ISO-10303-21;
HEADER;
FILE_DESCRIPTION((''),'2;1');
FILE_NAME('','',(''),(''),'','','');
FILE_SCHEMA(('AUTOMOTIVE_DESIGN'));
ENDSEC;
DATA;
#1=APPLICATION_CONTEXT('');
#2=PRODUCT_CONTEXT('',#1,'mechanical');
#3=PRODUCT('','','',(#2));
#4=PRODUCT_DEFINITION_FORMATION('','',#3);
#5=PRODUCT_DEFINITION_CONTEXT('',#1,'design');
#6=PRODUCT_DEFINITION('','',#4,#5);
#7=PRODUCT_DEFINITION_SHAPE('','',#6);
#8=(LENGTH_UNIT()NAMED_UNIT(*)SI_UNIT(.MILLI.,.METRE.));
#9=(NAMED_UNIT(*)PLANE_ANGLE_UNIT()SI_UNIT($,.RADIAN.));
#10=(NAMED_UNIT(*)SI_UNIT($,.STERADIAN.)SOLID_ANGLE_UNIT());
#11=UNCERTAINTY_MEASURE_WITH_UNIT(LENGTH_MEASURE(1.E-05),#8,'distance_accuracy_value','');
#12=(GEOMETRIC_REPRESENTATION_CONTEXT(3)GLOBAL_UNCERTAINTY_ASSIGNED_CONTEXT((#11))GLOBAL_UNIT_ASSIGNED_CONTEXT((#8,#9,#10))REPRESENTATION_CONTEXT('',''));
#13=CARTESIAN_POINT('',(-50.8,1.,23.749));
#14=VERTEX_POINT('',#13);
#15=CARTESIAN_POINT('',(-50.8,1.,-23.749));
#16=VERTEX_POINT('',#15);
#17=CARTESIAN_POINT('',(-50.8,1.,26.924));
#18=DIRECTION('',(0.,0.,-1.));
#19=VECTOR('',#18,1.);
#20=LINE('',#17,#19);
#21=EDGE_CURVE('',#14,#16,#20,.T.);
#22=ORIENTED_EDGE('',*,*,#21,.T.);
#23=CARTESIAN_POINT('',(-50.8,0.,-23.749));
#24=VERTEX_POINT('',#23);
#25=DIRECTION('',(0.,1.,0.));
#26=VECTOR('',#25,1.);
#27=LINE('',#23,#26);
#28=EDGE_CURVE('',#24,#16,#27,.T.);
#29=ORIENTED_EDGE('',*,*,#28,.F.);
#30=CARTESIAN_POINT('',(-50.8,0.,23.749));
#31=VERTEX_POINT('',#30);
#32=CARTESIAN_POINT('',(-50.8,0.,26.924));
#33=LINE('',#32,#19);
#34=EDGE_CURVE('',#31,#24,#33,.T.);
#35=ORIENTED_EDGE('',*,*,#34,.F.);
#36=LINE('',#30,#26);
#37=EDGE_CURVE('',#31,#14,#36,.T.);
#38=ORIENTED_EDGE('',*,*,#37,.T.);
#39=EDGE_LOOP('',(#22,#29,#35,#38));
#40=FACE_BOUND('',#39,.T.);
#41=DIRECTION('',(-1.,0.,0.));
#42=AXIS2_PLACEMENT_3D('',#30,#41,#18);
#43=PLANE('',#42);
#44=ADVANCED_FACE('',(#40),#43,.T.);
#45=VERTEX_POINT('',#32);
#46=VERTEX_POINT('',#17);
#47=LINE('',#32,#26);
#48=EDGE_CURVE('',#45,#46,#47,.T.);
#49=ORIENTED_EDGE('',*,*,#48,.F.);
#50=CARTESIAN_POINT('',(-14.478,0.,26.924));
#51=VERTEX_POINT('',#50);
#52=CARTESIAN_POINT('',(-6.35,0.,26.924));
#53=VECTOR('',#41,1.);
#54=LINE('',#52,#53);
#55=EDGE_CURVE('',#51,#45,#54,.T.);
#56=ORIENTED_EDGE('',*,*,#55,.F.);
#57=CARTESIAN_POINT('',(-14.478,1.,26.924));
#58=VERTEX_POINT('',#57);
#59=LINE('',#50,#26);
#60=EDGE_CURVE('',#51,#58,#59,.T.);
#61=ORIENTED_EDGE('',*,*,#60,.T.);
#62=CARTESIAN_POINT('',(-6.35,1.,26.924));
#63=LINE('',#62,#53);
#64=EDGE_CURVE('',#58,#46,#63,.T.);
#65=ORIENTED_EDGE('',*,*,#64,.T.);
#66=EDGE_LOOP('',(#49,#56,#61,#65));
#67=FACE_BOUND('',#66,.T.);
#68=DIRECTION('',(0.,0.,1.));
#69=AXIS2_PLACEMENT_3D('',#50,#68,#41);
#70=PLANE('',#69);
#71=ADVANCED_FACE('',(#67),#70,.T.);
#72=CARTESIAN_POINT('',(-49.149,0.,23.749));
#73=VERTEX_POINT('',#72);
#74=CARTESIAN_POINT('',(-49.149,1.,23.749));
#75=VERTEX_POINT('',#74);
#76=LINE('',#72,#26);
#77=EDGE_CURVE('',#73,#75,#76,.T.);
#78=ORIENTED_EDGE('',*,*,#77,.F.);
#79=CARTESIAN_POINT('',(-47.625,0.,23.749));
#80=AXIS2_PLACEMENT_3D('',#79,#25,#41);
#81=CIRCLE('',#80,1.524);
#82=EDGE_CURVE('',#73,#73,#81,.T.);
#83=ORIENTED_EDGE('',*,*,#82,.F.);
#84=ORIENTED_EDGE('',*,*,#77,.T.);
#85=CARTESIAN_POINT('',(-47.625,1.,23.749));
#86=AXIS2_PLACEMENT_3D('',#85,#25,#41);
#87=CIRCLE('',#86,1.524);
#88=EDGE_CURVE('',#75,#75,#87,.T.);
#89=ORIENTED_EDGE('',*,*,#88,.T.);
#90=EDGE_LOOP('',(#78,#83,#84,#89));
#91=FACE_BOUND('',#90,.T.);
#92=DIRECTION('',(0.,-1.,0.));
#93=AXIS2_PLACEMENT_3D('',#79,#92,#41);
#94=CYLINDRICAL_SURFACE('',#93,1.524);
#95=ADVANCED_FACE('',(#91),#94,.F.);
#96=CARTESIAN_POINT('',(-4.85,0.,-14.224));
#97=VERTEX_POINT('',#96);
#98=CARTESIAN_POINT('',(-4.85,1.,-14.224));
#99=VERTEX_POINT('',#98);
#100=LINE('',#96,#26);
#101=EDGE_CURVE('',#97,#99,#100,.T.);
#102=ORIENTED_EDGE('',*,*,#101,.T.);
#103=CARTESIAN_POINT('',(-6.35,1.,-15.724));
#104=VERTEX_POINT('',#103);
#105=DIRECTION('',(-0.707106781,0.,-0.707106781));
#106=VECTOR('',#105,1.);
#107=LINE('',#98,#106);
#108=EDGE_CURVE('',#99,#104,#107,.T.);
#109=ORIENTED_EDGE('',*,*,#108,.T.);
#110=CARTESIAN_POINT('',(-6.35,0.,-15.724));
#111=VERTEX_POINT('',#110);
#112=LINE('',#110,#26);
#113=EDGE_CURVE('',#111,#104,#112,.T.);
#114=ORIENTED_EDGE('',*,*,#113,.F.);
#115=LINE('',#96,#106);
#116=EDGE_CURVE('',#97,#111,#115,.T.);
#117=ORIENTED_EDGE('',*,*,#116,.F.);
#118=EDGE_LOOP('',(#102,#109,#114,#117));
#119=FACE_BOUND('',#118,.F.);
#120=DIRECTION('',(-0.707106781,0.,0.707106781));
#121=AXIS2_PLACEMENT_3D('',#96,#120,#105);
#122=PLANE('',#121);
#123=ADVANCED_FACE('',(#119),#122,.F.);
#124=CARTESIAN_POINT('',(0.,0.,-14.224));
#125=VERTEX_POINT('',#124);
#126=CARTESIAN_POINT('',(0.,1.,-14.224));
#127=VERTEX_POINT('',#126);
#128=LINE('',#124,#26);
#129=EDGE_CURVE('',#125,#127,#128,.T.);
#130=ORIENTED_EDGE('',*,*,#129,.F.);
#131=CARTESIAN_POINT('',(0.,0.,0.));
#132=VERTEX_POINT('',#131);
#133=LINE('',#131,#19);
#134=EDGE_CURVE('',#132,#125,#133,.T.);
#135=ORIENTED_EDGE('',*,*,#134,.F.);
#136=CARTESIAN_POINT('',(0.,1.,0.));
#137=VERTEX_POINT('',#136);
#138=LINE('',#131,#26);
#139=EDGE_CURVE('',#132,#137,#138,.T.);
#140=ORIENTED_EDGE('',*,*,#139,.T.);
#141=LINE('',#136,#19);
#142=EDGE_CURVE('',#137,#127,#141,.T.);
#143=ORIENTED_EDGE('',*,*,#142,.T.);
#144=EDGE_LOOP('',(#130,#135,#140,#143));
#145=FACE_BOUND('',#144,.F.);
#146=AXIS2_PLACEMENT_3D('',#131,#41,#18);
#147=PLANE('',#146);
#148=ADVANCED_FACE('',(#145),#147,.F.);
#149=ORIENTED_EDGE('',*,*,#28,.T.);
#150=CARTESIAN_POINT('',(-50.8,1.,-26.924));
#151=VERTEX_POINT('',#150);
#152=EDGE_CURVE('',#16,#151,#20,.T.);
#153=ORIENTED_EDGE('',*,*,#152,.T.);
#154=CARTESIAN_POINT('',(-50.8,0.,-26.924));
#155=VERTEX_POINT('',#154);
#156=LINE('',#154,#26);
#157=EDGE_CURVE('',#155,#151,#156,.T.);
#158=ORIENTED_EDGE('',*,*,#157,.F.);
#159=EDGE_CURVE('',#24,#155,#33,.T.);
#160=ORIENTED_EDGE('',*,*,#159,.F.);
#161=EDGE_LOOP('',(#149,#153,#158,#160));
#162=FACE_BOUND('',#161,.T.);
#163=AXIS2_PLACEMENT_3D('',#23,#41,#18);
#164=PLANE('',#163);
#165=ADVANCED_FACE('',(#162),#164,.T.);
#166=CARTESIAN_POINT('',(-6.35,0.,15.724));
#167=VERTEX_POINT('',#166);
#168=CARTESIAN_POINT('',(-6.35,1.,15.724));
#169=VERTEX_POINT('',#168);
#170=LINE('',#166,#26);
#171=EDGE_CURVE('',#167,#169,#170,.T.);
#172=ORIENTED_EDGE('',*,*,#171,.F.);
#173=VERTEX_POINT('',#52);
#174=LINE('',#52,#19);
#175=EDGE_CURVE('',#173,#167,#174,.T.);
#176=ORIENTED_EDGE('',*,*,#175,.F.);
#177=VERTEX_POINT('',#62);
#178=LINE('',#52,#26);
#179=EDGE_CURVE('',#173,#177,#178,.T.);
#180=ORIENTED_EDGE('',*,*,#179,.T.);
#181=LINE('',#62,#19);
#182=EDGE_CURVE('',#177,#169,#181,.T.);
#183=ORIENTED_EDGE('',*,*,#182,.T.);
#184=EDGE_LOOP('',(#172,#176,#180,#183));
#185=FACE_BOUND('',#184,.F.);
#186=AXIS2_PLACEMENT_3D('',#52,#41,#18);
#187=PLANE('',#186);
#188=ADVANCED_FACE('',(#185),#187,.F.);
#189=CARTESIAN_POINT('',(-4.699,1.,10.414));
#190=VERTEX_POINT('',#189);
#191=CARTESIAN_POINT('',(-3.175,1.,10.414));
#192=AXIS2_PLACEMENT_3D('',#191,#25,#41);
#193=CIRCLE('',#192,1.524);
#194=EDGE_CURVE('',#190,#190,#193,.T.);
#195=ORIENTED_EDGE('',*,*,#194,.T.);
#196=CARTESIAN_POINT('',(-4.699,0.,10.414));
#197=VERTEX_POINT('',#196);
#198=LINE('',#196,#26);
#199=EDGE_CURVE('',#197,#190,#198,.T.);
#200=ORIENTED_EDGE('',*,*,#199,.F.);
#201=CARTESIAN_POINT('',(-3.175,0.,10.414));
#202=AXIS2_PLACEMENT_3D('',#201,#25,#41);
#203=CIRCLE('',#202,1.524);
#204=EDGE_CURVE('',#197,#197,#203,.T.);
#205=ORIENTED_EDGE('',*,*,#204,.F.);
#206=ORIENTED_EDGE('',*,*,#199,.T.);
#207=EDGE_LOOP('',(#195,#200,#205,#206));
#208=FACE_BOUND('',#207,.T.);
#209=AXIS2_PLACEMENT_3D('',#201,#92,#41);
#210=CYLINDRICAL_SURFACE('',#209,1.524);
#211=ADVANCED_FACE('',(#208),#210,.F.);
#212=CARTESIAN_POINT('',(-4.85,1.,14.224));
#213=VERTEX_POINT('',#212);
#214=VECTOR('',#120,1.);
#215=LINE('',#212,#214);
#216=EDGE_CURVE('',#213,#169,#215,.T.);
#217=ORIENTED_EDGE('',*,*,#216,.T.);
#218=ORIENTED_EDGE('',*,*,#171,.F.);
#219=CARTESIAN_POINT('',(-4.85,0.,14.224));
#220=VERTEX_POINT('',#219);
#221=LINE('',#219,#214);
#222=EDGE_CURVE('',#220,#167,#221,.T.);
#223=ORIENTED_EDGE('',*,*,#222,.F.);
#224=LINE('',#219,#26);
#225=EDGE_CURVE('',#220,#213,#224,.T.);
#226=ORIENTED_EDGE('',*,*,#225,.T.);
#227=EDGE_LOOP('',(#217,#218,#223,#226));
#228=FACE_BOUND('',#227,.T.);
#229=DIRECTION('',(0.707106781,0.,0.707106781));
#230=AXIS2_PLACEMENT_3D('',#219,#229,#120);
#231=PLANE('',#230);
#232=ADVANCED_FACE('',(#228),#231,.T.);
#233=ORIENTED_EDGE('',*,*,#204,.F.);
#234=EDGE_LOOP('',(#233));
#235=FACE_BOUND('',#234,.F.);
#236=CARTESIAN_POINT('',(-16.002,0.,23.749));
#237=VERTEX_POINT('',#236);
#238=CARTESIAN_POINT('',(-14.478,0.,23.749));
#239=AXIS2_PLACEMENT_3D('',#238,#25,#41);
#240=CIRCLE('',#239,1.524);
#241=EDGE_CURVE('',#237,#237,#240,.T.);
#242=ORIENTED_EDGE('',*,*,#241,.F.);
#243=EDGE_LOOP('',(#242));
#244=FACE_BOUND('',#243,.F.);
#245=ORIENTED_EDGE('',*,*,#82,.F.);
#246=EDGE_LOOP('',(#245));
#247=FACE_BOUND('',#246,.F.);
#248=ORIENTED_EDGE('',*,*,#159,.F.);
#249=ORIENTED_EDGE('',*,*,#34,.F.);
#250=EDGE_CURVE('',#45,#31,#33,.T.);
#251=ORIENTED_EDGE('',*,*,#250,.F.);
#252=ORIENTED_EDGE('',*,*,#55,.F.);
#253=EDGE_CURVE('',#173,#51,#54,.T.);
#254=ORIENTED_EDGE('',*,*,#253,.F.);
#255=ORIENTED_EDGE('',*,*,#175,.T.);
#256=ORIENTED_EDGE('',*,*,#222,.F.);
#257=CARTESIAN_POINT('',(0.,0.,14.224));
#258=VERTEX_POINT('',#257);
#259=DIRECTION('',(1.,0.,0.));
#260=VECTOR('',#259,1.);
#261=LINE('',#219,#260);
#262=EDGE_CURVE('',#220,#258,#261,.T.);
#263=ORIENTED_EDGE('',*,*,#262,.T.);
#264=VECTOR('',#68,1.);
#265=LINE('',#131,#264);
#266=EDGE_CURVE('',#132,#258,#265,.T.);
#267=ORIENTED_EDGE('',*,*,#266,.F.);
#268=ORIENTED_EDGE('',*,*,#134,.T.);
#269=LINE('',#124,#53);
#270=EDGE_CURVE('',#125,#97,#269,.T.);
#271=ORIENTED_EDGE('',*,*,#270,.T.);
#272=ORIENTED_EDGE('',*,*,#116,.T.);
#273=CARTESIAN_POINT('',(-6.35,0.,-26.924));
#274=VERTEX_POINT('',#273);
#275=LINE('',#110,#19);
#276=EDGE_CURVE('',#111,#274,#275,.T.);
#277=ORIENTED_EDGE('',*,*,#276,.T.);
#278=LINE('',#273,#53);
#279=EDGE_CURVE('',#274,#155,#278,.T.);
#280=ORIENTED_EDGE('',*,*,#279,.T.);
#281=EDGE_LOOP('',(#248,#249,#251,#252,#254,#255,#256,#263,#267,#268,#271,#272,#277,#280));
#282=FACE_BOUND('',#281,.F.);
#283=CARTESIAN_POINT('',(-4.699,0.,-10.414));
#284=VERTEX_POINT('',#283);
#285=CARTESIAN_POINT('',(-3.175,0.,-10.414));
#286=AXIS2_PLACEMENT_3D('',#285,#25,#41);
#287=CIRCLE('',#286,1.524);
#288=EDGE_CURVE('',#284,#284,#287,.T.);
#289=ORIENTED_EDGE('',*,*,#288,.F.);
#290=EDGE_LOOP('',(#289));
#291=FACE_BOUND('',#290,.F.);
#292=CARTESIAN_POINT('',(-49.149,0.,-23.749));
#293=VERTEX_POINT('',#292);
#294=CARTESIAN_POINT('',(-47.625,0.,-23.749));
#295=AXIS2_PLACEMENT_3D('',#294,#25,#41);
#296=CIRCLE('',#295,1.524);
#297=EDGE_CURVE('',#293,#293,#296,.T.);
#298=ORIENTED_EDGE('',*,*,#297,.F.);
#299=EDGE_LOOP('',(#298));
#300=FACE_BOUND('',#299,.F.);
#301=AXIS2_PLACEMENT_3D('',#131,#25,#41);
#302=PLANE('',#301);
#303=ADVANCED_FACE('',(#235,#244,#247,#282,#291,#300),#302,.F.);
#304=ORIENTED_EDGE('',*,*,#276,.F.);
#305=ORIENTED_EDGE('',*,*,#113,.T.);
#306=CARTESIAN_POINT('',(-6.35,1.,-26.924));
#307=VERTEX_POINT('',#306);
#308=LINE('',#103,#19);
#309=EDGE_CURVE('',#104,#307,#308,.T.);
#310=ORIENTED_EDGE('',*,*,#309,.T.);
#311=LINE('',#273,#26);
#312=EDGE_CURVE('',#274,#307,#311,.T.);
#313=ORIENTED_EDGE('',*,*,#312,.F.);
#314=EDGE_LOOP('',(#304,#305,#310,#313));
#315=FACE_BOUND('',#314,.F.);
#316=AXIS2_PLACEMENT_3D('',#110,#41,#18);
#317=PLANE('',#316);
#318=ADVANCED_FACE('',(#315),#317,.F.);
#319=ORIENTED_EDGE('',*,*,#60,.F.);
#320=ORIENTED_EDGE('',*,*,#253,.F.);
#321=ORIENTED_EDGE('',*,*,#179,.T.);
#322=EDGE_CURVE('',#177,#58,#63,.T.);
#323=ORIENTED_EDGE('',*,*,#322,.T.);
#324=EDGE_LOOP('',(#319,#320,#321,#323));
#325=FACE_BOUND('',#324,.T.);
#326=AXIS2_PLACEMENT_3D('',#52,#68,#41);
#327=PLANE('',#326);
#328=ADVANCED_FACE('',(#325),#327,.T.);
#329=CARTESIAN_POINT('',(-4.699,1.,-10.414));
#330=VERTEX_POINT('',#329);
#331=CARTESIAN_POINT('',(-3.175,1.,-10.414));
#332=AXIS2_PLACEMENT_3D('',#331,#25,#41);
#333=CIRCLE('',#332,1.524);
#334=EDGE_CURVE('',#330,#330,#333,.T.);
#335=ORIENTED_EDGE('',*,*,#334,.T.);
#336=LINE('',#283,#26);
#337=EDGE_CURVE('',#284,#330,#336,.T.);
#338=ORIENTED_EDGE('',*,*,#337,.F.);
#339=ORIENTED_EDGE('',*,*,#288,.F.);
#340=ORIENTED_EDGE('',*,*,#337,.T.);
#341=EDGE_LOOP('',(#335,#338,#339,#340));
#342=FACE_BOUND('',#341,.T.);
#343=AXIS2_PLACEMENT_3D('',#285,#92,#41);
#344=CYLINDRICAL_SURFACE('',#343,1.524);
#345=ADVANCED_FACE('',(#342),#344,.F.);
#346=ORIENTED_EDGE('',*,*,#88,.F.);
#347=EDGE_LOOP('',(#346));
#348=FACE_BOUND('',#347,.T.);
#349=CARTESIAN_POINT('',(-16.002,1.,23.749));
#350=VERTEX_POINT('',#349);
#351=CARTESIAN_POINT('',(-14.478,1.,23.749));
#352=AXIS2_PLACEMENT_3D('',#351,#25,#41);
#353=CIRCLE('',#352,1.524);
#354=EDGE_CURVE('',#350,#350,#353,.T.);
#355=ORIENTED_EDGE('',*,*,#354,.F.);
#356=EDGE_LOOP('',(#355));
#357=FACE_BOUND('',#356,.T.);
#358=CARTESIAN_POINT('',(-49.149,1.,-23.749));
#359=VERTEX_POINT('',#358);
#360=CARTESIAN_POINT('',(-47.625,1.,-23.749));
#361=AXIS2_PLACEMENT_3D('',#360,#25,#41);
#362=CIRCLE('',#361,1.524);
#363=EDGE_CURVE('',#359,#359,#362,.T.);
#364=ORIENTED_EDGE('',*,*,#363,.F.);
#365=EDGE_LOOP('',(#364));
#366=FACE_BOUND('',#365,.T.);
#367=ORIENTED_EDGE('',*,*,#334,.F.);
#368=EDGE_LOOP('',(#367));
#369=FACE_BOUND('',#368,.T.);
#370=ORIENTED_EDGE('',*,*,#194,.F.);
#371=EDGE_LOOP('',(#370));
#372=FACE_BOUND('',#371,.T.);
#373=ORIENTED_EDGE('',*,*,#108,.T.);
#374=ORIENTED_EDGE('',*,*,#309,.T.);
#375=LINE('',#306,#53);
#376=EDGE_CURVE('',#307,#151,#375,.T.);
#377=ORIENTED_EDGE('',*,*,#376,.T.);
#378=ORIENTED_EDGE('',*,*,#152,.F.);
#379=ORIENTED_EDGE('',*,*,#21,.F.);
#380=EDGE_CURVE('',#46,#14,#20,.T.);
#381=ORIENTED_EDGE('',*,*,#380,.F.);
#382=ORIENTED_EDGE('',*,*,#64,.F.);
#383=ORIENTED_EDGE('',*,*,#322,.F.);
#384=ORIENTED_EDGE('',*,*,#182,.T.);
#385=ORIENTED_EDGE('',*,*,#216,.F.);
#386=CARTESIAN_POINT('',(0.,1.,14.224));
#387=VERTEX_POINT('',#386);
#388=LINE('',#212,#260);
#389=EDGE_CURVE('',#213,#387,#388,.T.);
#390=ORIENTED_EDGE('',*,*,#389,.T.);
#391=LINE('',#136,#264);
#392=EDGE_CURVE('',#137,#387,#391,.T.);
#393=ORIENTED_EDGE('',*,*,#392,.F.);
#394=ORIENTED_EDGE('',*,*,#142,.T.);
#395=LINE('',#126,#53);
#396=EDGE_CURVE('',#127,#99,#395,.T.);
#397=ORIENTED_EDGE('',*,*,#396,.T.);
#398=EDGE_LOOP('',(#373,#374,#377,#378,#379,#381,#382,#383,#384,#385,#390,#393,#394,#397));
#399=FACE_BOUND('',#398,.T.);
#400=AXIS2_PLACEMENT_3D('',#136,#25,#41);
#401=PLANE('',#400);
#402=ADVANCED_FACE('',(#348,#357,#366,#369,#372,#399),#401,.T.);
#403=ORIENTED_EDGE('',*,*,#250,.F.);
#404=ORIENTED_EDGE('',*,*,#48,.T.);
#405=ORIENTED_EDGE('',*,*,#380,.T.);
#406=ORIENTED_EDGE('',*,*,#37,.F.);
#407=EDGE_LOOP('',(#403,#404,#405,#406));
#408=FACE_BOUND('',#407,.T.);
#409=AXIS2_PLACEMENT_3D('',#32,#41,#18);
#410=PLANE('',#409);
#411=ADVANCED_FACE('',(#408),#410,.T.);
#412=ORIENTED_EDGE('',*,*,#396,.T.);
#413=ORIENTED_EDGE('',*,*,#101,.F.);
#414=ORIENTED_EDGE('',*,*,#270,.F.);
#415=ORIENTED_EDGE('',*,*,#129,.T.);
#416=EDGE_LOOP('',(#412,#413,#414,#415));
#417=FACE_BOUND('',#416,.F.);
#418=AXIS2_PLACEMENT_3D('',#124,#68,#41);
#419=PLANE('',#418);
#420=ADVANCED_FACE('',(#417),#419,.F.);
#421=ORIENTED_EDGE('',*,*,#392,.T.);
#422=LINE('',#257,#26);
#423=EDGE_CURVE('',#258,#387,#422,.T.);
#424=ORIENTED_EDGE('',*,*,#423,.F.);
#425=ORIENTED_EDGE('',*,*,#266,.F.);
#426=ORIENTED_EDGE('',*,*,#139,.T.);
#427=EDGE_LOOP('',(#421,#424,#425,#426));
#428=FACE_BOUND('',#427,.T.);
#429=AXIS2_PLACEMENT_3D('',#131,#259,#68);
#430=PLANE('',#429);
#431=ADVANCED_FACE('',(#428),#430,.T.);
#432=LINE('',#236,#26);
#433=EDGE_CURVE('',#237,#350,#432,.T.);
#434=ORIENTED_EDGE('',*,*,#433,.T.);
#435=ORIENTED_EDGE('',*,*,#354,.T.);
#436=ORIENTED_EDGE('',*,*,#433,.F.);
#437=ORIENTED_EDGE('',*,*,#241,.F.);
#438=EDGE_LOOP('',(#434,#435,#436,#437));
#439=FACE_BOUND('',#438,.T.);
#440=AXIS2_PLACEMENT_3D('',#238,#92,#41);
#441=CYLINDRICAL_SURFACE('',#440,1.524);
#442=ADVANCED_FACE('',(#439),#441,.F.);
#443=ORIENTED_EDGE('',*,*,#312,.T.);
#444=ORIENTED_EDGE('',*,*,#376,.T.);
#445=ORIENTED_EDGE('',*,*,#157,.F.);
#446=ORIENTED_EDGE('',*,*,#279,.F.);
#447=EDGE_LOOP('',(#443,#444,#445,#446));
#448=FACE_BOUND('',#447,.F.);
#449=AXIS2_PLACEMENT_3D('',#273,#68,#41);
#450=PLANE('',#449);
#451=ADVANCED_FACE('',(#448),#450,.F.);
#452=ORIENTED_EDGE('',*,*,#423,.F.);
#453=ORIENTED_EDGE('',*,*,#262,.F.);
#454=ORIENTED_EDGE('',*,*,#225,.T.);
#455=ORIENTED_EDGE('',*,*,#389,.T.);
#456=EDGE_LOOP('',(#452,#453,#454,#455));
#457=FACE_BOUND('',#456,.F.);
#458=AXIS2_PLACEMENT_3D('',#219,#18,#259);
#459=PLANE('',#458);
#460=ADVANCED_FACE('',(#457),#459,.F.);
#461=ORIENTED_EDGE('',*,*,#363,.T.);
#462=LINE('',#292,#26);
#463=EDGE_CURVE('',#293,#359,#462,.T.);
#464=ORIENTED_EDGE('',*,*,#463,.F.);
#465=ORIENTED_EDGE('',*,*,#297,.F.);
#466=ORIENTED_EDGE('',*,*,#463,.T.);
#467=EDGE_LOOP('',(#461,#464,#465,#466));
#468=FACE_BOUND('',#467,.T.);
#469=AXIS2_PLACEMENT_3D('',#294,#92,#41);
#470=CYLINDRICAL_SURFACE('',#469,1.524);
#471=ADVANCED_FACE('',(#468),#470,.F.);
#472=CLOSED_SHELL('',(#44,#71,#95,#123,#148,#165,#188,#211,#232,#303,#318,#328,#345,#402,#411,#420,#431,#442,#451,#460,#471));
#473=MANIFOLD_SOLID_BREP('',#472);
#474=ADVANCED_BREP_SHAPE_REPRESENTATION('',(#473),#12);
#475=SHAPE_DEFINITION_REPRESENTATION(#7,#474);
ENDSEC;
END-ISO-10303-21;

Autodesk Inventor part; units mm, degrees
ref_plane "YZ Plane" through (0, 0, 0) normal (1, 0, 0) x (0, 1, 0)
ref_plane "XZ Plane" through (0, 0, 0) normal (0, 1, 0) x (-1, 0, 0)
ref_plane "XY Plane" through (0, 0, 0) normal (0, 0, 1) x (1, 0, 0)
sketch "Sketch1" plane through (0, 0, 0) normal (0, 1, 0) x (-1, 0, 0)
  line L0 (50.8, 26.924) -> (50.8, -26.924)
  line L1 (6.35, 26.924) -> (6.35, 15.724)
  line L2 (4.85, 14.224) -> (0, 14.224)
  line L3 (6.35, 26.924) -> (50.8, 26.924)
  line L4 (0, -14.224) -> (4.85, -14.224)
  line L5 (6.35, -15.724) -> (6.35, -26.924)
  line L6 (0, 0) -> (0, 14.224)
  line L7 (0, 0) -> (0, -14.224)
  line L8 (6.35, -26.924) -> (50.8, -26.924)
  line L9 (4.85, 14.224) -> (6.35, 15.724)
  line L10 (4.85, -14.224) -> (6.35, -15.724)
  line L11 (50.8, 26.924) -> (50.8, 23.749)
  circle A0 centre (47.625, 23.749) radius 1.524
  line L12 (50.8, -26.924) -> (50.8, -23.749)
  circle A1 centre (47.625, -23.749) radius 1.524
  line L13 (6.35, 26.924) -> (14.478, 26.924)
  circle A2 centre (14.478, 23.749) radius 1.524
  circle A3 centre (3.175, -10.414) radius 1.524
  circle A4 centre (3.175, 10.414) radius 1.524
  point P0 (6.35, 14.224)
  point P1 (6.35, -14.224)
extrude "Extrusion1" add sketch "Sketch1" along normal blind 1
properties part number "Pixy"
